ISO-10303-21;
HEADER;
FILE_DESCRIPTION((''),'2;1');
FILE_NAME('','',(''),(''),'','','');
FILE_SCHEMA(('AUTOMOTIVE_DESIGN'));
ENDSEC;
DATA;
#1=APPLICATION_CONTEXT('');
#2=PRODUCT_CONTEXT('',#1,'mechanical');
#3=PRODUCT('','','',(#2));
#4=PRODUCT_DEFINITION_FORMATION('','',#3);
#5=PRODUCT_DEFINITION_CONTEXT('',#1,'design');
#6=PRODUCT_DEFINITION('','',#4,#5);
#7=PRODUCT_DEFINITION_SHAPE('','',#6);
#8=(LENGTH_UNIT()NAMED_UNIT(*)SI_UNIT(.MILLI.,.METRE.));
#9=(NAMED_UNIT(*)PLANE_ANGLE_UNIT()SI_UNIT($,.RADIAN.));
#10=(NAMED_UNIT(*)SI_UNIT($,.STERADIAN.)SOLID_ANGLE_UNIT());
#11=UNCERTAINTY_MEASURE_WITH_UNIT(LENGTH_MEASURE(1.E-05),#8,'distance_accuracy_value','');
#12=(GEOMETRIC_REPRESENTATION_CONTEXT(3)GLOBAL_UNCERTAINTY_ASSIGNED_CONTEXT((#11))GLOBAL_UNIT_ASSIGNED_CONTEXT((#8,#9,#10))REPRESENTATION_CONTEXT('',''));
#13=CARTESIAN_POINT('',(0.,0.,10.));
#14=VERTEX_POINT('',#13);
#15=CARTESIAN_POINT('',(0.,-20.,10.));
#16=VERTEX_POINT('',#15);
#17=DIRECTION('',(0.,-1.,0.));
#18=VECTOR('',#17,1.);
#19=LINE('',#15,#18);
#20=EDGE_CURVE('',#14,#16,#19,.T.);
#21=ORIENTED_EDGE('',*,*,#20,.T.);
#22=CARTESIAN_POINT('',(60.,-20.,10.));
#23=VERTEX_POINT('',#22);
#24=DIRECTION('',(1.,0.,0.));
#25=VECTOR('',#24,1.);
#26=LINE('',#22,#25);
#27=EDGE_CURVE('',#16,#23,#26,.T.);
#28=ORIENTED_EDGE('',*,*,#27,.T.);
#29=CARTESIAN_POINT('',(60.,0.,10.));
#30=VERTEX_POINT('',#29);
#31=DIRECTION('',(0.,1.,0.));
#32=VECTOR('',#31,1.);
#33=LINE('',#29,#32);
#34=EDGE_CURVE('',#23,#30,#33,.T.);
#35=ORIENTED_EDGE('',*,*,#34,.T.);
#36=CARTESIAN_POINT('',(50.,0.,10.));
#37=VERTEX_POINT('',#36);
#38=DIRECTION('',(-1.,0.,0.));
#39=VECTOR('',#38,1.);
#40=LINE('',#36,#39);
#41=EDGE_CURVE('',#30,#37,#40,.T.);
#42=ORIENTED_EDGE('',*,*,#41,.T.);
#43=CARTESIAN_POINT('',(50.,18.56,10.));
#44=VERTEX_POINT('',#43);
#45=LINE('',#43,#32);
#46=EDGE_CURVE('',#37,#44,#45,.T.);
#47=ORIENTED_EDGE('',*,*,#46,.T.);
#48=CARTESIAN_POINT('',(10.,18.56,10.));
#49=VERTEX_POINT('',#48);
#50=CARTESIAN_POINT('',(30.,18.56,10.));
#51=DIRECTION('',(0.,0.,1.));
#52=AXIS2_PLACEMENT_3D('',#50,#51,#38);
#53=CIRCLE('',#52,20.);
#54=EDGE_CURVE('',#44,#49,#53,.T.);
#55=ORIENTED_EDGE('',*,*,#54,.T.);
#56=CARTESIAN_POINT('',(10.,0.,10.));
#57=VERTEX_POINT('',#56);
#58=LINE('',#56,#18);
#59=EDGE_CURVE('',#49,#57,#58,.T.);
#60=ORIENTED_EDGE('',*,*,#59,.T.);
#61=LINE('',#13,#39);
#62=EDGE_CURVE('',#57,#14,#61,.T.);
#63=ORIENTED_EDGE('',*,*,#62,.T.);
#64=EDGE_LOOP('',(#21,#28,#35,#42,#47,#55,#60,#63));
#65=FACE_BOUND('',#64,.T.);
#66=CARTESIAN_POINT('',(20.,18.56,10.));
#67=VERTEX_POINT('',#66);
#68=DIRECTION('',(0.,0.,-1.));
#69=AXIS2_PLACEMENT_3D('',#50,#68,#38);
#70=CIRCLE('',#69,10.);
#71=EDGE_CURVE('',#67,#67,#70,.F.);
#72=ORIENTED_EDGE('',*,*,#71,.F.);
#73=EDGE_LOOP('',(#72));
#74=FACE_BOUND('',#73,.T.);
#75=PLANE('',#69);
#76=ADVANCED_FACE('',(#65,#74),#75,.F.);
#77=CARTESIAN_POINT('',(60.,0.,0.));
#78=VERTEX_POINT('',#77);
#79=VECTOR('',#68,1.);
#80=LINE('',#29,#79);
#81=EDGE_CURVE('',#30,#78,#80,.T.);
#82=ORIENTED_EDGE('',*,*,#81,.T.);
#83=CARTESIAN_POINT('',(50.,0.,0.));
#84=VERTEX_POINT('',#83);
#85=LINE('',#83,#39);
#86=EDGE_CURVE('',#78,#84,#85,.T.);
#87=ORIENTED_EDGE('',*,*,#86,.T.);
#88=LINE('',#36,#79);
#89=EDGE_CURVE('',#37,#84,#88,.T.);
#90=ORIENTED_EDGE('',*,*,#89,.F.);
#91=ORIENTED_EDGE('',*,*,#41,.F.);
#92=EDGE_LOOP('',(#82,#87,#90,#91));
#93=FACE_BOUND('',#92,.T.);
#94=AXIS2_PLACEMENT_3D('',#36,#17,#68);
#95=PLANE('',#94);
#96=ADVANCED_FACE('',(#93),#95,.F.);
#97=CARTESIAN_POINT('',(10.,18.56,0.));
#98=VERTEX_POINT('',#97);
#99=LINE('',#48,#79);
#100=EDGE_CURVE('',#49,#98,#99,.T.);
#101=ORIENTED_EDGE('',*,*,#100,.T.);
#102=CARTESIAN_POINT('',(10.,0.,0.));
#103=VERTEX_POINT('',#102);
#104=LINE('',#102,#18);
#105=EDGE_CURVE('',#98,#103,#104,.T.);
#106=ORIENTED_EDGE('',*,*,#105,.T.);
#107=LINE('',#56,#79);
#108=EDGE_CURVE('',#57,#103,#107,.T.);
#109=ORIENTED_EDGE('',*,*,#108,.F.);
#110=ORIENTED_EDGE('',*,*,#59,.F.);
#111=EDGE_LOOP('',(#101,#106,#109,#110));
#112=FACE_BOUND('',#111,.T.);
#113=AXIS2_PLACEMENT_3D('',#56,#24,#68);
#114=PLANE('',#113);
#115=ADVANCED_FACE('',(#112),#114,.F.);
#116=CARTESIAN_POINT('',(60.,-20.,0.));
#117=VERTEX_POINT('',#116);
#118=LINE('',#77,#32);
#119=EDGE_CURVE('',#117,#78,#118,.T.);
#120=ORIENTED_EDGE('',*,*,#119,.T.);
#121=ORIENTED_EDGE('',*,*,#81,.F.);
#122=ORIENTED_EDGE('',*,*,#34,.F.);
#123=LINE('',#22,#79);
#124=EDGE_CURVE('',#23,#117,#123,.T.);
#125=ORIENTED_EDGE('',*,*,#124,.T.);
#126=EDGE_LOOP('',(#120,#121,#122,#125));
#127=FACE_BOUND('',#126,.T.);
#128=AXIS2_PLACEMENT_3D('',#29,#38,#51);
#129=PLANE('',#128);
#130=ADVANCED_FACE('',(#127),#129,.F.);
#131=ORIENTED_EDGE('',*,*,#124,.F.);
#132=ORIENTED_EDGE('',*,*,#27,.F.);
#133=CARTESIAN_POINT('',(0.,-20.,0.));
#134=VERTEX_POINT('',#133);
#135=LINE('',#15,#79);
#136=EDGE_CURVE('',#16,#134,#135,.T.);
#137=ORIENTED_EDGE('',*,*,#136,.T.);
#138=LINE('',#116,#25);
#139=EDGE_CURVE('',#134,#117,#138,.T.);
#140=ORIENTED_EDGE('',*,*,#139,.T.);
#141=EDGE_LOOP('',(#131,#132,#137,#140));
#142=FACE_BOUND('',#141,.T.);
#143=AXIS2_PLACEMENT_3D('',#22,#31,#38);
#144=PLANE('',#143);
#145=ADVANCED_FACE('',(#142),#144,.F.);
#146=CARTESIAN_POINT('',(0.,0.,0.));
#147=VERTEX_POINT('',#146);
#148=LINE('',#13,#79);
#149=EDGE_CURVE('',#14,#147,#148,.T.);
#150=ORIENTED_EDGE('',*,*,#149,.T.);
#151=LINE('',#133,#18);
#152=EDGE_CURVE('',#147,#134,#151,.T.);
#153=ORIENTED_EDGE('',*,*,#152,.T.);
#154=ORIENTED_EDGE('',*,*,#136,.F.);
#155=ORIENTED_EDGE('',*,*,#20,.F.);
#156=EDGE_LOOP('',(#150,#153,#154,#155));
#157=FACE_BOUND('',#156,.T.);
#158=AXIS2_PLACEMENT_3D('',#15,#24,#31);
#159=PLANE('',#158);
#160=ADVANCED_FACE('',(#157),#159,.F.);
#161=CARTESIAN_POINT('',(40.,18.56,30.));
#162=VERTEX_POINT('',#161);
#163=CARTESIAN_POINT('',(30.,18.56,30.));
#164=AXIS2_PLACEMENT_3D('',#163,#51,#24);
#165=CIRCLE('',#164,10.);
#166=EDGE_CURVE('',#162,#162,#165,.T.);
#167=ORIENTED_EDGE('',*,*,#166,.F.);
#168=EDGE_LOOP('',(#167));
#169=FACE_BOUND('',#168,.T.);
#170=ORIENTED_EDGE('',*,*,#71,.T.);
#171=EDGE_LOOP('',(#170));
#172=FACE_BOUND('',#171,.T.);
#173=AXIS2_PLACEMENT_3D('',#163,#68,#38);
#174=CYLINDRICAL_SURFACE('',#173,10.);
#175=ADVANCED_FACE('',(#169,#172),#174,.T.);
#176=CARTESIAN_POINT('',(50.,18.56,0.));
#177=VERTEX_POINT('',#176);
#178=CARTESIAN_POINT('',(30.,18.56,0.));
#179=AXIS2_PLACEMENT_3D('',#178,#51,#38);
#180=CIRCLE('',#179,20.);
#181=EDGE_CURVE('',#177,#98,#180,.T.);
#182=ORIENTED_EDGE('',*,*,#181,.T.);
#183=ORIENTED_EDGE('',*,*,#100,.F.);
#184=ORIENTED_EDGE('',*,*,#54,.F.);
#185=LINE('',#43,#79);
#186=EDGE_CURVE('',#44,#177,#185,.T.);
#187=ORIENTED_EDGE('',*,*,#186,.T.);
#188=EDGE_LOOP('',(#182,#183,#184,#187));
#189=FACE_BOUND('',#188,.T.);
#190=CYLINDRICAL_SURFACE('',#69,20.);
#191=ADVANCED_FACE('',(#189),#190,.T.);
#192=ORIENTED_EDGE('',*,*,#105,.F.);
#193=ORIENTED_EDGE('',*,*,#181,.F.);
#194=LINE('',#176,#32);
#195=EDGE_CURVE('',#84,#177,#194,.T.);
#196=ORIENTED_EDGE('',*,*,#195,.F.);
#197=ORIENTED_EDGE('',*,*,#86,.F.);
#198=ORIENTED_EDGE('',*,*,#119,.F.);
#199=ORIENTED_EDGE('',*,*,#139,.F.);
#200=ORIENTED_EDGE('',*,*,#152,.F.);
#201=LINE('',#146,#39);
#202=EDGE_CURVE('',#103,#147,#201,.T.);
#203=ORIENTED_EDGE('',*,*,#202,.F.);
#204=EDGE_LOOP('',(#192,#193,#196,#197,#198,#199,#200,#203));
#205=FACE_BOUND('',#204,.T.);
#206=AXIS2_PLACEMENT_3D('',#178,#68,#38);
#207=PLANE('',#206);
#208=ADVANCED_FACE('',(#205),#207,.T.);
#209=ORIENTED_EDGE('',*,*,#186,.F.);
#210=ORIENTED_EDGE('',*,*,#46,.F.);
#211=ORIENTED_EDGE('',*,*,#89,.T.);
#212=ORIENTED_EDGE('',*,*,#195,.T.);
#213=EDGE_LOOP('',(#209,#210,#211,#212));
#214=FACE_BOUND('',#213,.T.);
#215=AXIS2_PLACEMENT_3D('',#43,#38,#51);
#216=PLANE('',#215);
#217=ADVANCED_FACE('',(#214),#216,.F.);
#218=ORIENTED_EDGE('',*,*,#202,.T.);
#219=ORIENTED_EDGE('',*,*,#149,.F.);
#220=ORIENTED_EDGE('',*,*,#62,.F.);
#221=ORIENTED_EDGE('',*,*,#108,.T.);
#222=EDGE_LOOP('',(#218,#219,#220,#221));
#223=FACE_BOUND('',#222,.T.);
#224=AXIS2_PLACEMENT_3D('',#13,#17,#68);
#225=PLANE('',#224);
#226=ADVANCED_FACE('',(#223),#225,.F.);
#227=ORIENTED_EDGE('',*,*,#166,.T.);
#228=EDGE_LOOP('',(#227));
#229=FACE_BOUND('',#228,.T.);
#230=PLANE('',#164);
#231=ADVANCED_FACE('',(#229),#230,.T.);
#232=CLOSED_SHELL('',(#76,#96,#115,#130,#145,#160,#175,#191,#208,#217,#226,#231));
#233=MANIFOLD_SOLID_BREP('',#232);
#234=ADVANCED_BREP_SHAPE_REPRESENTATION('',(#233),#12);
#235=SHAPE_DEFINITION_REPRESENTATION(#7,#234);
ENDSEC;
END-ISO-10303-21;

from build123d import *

# Parameters (mm, degrees)
BOSS_EXTRUDE1_DEPTH = 10
SKETCH3_R           = 10
BOSS_EXTRUDE2_DEPTH = 20


with BuildPart() as part:
    # Sketch2 → Boss-Extrude1 (new body)
    with BuildSketch(Plane.XY):
        with BuildLine():
            Line((0, 0), (10, 0))
            Line((10, 0), (10, 18.56))
            ThreePointArc((10, 18.56), (30, 38.56), (50, 18.56))
            Line((50, 18.56), (50, 0))
            Line((50, 0), (60, 0))
            Line((60, 0), (60, -20))
            Line((60, -20), (0, -20))
            Line((0, -20), (0, 0))
        make_face()
    extrude(amount=BOSS_EXTRUDE1_DEPTH)

    # Sketch3 → Boss-Extrude2 (add)
    with BuildSketch(Plane.XY.offset(10)):
        with Locations(Location((30, 18.56, 0), (0, 0, 180))):
            Circle(SKETCH3_R)
    extrude(amount=BOSS_EXTRUDE2_DEPTH)


solid = part.part
